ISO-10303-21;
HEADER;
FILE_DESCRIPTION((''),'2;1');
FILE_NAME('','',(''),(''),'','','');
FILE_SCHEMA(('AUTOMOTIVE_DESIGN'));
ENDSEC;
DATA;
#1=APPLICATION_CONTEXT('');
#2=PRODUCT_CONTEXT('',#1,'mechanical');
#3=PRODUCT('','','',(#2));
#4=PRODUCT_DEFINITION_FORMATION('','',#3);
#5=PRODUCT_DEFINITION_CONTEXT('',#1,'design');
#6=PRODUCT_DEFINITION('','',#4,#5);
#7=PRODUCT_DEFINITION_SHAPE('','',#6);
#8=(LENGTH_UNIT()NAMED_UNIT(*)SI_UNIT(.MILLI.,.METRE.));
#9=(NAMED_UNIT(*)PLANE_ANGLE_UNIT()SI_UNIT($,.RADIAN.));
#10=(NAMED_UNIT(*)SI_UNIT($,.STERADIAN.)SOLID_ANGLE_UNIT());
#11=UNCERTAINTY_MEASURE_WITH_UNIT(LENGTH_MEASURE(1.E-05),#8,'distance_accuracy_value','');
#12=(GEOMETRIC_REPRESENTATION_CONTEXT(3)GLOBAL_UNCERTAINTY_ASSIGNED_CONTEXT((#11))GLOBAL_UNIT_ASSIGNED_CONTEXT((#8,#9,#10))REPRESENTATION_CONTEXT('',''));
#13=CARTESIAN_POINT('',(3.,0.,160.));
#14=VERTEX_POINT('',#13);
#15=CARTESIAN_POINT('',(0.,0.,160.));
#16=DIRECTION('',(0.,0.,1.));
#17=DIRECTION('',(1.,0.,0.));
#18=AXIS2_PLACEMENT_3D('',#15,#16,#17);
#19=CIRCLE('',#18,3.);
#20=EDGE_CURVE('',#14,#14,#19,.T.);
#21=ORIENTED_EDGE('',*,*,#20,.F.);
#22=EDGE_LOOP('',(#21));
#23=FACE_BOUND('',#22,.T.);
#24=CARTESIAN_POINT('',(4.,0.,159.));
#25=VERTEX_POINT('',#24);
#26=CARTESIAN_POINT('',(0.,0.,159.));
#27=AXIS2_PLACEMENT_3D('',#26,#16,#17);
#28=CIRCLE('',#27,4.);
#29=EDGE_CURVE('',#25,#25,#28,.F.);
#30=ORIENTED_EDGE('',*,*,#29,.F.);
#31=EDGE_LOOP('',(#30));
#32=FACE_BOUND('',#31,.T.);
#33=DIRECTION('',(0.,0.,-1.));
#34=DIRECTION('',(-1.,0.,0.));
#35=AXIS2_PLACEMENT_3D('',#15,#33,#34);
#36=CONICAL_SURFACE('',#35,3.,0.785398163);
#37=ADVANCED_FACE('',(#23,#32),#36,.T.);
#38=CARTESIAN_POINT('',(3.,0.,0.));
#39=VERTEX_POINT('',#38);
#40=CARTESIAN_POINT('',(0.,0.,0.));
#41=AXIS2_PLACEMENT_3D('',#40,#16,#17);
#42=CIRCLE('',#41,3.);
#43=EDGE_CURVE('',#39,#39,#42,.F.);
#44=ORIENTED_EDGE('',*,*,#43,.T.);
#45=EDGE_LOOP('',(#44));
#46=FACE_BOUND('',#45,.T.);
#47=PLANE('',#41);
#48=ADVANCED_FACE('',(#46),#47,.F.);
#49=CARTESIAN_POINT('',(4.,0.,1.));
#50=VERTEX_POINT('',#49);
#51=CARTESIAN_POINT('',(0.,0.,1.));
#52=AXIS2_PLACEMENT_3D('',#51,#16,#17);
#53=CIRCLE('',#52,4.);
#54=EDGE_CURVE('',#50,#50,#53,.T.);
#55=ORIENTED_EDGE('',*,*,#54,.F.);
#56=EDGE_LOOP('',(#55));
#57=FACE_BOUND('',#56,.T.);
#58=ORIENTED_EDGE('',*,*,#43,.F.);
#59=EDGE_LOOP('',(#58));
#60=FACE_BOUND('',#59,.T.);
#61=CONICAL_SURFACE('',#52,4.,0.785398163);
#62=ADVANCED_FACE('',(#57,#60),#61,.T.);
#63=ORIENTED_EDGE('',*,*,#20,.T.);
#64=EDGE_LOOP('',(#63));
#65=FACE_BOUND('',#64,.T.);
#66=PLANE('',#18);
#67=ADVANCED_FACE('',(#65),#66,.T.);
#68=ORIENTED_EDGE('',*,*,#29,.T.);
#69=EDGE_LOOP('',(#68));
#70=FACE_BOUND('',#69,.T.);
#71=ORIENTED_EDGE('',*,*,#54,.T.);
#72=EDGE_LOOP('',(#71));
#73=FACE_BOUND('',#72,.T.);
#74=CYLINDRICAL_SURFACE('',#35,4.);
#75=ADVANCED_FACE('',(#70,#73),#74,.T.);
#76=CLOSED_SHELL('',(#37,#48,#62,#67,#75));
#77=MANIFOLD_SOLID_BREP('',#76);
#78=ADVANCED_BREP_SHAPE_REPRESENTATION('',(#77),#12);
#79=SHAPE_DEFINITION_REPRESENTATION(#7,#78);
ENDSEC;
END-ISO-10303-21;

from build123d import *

# Parameters (mm, degrees)
ESBO_O1_R                = 4
RESSALTO_EXTRUS_O1_DEPTH = 160
CHANFRO1_SIZE            = 1


with BuildPart() as part:
    # Esboço1 → Ressalto-extrusão1 (new body)
    with BuildSketch(Plane.XY):
        Circle(ESBO_O1_R)
    extrude(amount=RESSALTO_EXTRUS_O1_DEPTH)

    # Chanfro1
    chanfro1_edges = [part.edges().sort_by_distance(p)[0] for p in [
        (-4, 0, 0),
        (-4, 0, 160),
    ]]
    chamfer(chanfro1_edges, length=CHANFRO1_SIZE)


solid = part.part
